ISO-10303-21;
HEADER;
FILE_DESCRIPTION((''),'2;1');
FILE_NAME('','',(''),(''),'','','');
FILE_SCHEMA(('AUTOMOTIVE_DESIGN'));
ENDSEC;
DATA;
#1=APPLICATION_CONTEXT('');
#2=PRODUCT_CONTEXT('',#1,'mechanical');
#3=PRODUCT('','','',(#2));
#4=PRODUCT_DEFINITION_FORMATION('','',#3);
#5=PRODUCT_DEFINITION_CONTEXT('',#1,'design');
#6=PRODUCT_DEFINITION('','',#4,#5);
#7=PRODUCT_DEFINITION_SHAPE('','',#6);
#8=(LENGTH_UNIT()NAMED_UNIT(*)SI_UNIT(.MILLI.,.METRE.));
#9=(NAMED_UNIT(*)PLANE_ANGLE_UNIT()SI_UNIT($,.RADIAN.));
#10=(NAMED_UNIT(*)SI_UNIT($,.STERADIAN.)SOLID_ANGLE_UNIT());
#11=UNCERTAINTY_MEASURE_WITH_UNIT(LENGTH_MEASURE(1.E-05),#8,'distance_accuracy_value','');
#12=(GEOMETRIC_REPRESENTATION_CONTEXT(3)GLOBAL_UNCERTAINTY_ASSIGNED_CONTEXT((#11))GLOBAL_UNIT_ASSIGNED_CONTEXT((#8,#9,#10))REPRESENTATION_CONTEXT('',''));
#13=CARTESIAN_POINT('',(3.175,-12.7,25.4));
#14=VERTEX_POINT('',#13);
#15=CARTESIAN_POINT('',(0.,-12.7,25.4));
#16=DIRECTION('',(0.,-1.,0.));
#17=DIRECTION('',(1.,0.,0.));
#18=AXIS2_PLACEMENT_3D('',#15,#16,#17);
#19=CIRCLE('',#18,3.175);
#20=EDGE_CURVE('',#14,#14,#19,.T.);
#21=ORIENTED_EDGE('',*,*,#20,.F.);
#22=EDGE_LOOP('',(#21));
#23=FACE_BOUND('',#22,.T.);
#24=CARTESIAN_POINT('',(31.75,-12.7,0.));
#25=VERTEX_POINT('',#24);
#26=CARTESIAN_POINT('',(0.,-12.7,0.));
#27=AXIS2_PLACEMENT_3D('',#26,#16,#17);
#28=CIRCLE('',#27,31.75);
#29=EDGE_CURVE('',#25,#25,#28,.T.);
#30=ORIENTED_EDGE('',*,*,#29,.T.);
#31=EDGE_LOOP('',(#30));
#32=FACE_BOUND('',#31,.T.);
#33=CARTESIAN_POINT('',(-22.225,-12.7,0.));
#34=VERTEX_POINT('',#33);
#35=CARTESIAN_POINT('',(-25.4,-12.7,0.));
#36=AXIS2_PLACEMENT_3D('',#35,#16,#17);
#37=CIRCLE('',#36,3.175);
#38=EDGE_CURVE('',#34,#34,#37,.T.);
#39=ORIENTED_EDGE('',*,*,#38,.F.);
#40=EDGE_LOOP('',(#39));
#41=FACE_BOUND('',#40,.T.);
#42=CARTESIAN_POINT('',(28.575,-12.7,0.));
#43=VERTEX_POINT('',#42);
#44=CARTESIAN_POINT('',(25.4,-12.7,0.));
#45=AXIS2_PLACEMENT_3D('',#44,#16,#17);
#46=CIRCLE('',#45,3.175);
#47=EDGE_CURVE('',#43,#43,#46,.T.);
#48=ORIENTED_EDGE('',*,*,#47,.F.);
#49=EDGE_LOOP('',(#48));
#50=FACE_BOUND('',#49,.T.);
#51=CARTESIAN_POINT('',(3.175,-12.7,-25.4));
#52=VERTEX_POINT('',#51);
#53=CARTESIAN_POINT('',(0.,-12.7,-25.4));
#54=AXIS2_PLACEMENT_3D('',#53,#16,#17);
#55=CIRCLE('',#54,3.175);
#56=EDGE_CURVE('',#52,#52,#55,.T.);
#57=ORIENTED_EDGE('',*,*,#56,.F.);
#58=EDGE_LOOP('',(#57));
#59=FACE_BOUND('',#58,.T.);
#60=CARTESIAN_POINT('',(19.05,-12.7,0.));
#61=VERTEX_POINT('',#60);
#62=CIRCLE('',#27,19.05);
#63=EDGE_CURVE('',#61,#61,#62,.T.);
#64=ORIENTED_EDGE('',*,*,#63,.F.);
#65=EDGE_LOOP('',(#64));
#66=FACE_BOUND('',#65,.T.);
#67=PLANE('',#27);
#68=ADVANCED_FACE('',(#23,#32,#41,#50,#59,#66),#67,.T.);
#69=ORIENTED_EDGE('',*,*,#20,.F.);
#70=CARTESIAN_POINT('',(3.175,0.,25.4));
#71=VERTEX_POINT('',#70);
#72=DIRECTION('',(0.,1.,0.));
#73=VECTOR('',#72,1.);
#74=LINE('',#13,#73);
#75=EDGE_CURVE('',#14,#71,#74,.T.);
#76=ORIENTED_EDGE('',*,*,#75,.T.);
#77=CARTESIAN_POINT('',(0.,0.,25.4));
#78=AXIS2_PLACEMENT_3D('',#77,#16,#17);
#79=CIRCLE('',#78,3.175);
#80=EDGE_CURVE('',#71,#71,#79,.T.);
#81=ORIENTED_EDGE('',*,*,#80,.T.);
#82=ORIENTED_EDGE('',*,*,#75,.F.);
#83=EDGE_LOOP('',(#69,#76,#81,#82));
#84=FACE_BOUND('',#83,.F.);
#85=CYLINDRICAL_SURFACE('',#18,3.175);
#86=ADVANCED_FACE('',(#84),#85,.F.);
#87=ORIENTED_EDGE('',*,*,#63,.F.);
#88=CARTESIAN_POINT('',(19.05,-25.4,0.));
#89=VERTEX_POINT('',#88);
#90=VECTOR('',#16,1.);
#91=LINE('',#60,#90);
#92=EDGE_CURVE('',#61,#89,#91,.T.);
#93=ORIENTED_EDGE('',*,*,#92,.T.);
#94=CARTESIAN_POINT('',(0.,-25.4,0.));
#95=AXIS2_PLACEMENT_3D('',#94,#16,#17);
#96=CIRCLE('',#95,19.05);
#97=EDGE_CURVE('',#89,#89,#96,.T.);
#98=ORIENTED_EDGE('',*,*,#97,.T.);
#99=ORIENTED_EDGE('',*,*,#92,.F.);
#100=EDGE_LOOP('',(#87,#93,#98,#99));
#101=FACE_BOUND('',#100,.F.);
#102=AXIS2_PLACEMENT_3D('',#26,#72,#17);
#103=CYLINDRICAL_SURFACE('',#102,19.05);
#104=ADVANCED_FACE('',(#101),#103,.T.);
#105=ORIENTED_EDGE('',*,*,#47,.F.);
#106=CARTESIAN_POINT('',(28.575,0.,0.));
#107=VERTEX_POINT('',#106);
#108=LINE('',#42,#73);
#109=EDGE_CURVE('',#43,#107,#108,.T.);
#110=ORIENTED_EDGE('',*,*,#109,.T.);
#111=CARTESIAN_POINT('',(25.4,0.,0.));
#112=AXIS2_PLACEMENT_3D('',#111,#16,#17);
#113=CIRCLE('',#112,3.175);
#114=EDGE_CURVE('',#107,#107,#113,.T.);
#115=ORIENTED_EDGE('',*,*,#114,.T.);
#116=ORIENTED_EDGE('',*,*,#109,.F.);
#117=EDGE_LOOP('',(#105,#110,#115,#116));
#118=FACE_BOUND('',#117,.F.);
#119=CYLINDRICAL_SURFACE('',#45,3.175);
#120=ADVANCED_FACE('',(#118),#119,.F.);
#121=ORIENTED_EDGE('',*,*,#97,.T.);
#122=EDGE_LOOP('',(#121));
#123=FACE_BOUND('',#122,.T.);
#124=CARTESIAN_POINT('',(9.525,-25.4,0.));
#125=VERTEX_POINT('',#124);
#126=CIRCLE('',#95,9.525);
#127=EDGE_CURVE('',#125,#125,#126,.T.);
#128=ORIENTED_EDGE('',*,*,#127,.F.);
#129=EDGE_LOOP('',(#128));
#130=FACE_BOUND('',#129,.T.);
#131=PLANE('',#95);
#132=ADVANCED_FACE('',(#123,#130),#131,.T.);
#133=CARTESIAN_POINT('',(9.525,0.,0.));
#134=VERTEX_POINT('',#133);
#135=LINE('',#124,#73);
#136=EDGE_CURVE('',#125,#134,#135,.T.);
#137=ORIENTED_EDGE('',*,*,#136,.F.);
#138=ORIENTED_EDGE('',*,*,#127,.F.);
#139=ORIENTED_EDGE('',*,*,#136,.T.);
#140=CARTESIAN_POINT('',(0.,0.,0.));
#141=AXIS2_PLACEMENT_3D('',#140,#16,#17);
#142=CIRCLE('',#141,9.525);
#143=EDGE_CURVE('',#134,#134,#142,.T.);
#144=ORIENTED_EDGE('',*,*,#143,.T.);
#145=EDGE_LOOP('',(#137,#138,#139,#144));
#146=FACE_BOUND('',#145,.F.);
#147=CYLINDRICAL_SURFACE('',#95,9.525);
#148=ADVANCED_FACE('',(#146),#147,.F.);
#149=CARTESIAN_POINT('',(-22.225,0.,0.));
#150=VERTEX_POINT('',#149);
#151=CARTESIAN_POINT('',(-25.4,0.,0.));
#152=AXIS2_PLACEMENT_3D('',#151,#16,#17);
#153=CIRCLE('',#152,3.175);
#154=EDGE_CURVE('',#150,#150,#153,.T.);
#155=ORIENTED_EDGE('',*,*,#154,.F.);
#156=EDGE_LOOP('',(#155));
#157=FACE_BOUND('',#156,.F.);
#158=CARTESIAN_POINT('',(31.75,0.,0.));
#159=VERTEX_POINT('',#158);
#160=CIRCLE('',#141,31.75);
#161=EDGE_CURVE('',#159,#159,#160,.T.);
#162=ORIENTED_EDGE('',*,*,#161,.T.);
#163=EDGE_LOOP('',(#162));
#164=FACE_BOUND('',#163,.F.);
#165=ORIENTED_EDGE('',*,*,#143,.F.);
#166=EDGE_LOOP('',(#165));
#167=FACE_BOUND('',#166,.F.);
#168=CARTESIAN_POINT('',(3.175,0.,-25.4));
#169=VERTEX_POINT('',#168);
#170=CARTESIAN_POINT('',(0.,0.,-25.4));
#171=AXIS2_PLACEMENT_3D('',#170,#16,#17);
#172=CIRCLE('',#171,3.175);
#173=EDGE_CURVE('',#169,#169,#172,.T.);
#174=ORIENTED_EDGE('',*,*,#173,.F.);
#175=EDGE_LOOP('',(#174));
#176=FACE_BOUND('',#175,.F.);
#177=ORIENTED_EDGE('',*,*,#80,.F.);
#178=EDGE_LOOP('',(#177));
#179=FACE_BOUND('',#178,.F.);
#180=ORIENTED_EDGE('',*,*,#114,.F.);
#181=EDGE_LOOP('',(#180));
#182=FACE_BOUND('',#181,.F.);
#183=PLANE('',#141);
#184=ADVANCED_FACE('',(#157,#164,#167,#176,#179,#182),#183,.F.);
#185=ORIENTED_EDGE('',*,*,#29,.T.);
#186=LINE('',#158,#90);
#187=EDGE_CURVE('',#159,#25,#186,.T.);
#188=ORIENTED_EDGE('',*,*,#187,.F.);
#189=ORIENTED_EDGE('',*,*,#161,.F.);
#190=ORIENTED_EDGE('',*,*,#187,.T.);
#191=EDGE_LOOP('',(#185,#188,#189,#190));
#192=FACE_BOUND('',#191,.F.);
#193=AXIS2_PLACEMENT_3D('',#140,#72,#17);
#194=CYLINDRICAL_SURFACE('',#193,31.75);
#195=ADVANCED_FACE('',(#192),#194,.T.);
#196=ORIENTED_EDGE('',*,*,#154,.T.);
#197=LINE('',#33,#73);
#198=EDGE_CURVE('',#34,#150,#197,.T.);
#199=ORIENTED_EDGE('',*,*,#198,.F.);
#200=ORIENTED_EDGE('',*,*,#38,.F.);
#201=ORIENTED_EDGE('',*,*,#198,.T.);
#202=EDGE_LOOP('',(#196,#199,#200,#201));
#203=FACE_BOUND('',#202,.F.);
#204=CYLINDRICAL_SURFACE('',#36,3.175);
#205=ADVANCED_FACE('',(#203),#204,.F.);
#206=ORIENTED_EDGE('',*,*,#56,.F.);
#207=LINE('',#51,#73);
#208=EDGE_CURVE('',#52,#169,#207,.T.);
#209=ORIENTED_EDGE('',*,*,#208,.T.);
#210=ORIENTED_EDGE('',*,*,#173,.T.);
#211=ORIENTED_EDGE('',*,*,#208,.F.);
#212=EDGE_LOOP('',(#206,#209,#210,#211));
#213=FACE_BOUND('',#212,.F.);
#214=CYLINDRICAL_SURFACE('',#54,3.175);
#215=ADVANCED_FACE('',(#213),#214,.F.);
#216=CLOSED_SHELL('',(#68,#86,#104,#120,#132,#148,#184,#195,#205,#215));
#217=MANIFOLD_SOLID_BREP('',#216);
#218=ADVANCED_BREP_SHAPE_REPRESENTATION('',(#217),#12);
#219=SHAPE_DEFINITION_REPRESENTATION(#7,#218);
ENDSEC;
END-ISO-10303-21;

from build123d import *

# Parameters (mm, degrees)
F0_R     = 31.75
F1_DEPTH = 12.7
F2_R     = 19.05
F3_DEPTH = 12.7
F4_R     = 9.525
F5_DEPTH = 25.4
F6_R     = 3.175
F7_DEPTH = 12.7


with BuildPart() as f1:
    # F0 (on Front) → F1 (new body)
    with BuildSketch(Plane.XZ):
        Circle(F0_R)
    extrude(amount=F1_DEPTH)

    # F2 (on face) → F3 (join)
    with BuildSketch(Plane.XZ.offset(12.7)):
        Circle(F2_R)
    extrude(amount=F3_DEPTH)

    # F4 (on face) → F5 (cut)
    with BuildSketch(Plane.XZ.offset(25.4)):
        Circle(F4_R)
    extrude(amount=-F5_DEPTH, mode=Mode.SUBTRACT)

    # F6 (on face) → F7 (cut)
    with BuildSketch(Plane.XZ.offset(12.7)):
        with Locations((25.4, 0)):
            Circle(F6_R)
        with Locations((0, 25.4)):
            Circle(F6_R)
        with Locations((-25.4, 0)):
            Circle(F6_R)
        with Locations((0, -25.4)):
            Circle(F6_R)
    extrude(amount=-F7_DEPTH, mode=Mode.SUBTRACT)


solid = f1.part
